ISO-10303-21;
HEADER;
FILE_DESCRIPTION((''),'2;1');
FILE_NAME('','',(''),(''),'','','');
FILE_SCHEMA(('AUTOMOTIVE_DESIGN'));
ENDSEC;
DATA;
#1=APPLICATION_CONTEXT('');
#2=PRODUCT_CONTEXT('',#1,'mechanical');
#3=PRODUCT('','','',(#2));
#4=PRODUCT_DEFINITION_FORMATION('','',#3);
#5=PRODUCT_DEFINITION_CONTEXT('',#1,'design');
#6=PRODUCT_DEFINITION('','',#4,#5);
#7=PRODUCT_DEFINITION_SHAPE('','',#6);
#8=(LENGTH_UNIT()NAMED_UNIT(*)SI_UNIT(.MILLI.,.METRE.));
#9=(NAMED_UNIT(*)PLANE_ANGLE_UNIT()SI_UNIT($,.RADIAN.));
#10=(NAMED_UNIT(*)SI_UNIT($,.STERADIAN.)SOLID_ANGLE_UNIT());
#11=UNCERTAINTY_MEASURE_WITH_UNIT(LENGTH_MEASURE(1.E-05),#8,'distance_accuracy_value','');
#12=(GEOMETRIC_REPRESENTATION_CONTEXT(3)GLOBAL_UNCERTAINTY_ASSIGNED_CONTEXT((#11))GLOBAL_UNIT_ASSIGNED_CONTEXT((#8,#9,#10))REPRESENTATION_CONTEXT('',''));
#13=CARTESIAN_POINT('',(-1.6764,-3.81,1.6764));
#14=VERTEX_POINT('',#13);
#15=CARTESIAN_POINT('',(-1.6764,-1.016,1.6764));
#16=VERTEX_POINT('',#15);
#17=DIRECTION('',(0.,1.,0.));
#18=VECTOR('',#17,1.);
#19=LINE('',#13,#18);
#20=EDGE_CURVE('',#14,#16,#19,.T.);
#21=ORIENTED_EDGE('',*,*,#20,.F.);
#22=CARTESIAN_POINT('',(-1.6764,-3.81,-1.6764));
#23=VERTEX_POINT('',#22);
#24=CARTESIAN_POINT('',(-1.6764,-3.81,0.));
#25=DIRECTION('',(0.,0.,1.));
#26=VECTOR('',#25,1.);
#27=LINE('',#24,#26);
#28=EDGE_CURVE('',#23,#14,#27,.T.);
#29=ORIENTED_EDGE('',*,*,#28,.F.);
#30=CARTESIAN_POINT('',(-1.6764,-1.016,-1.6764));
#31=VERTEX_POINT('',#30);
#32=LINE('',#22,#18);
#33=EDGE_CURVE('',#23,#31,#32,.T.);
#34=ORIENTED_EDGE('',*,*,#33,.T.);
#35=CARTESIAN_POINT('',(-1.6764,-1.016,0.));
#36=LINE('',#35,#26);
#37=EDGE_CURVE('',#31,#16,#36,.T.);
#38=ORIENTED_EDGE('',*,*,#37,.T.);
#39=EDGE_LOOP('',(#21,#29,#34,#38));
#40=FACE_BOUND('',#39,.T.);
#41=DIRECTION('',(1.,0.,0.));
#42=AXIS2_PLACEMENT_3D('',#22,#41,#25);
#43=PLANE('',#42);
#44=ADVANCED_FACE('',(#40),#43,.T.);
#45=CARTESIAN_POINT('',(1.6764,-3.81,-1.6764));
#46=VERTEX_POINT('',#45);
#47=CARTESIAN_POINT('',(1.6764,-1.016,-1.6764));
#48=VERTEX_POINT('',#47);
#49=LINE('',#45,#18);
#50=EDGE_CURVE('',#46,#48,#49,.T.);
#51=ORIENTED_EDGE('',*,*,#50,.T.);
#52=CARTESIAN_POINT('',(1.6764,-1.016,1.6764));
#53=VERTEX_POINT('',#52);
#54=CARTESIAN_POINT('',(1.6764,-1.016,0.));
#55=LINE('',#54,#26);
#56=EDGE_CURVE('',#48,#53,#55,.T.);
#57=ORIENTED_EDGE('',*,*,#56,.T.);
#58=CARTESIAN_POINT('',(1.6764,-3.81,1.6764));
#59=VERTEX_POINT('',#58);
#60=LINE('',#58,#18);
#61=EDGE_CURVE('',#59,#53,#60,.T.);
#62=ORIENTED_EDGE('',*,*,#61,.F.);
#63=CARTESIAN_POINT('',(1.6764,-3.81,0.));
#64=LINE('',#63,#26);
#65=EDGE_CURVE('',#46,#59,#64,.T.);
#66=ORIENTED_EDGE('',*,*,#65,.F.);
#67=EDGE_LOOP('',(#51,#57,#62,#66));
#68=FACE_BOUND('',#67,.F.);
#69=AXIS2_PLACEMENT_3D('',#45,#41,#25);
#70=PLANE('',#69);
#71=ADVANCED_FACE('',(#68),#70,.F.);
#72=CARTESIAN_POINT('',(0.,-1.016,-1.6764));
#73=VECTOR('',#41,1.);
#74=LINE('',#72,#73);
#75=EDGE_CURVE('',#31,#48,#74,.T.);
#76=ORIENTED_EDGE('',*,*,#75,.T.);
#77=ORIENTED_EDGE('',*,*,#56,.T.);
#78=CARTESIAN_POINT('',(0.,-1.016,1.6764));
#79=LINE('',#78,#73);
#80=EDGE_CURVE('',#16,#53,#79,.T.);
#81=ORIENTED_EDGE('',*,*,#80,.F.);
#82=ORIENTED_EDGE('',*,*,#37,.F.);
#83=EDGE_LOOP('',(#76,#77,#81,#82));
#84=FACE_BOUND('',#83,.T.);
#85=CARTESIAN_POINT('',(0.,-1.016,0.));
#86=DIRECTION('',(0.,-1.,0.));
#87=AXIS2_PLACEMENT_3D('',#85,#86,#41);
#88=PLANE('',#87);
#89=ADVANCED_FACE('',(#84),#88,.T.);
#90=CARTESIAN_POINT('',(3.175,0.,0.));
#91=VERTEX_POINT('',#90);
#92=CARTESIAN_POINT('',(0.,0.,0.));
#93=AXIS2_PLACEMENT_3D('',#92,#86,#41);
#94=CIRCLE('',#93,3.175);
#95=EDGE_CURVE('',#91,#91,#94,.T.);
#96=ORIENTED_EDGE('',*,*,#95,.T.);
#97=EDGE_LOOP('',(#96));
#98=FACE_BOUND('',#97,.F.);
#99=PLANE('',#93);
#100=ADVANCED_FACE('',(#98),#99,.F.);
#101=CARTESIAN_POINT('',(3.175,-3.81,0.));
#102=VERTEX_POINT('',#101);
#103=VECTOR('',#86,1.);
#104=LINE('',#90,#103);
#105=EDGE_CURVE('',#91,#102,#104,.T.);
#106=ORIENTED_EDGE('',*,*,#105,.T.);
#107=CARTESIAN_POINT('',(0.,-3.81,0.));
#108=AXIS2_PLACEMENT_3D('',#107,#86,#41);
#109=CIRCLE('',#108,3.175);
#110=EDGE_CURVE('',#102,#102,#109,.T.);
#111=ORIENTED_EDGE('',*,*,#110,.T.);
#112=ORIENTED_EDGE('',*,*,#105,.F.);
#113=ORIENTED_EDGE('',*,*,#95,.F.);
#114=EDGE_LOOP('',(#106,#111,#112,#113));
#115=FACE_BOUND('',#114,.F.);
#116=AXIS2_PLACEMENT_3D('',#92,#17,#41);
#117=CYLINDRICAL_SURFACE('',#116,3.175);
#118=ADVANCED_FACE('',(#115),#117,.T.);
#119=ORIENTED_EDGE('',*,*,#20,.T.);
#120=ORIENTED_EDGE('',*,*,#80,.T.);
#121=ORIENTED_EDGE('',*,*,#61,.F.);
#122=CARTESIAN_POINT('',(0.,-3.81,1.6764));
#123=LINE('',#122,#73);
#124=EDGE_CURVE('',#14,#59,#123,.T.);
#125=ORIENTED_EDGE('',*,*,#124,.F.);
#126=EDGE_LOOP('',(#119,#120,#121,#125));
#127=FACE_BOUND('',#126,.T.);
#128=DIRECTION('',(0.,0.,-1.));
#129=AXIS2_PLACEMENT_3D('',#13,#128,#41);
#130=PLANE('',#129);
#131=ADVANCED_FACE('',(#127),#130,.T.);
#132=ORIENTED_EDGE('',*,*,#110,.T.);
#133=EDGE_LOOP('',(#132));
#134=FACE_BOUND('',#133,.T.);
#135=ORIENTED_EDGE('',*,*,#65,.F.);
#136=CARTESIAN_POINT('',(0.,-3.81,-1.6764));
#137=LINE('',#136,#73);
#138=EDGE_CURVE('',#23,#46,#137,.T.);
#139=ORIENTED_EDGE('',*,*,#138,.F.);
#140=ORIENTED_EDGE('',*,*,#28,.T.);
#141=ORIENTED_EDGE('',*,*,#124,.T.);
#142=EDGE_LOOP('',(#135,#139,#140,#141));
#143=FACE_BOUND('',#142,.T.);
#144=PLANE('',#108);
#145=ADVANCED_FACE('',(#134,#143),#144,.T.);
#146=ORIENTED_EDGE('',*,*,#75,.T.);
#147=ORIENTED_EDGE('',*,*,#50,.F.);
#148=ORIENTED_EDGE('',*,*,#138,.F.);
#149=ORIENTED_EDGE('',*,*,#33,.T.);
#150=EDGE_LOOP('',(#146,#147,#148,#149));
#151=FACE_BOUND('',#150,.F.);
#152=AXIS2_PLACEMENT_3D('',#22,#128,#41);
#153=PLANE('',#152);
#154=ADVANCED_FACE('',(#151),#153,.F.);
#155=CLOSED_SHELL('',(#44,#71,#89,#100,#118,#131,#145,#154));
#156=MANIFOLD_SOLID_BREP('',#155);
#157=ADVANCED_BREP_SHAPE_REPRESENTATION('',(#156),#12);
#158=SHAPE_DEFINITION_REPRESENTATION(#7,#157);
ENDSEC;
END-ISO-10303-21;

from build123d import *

# Parameters (mm, degrees)
F0_R     = 3.175
F1_DEPTH = 3.81
F2_W     = 3.3528
F2_H     = 3.3528
F3_DEPTH = 2.794


with BuildPart() as f1:
    # F0 (on Front) → F1 (new body)
    with BuildSketch(Plane.XZ):
        Circle(F0_R)
    extrude(amount=F1_DEPTH)

    # F2 (on face) → F3 (cut)
    with BuildSketch(Plane.XZ.offset(3.81)):
        Rectangle(F2_W, F2_H)
    extrude(amount=-F3_DEPTH, mode=Mode.SUBTRACT)


solid = f1.part
